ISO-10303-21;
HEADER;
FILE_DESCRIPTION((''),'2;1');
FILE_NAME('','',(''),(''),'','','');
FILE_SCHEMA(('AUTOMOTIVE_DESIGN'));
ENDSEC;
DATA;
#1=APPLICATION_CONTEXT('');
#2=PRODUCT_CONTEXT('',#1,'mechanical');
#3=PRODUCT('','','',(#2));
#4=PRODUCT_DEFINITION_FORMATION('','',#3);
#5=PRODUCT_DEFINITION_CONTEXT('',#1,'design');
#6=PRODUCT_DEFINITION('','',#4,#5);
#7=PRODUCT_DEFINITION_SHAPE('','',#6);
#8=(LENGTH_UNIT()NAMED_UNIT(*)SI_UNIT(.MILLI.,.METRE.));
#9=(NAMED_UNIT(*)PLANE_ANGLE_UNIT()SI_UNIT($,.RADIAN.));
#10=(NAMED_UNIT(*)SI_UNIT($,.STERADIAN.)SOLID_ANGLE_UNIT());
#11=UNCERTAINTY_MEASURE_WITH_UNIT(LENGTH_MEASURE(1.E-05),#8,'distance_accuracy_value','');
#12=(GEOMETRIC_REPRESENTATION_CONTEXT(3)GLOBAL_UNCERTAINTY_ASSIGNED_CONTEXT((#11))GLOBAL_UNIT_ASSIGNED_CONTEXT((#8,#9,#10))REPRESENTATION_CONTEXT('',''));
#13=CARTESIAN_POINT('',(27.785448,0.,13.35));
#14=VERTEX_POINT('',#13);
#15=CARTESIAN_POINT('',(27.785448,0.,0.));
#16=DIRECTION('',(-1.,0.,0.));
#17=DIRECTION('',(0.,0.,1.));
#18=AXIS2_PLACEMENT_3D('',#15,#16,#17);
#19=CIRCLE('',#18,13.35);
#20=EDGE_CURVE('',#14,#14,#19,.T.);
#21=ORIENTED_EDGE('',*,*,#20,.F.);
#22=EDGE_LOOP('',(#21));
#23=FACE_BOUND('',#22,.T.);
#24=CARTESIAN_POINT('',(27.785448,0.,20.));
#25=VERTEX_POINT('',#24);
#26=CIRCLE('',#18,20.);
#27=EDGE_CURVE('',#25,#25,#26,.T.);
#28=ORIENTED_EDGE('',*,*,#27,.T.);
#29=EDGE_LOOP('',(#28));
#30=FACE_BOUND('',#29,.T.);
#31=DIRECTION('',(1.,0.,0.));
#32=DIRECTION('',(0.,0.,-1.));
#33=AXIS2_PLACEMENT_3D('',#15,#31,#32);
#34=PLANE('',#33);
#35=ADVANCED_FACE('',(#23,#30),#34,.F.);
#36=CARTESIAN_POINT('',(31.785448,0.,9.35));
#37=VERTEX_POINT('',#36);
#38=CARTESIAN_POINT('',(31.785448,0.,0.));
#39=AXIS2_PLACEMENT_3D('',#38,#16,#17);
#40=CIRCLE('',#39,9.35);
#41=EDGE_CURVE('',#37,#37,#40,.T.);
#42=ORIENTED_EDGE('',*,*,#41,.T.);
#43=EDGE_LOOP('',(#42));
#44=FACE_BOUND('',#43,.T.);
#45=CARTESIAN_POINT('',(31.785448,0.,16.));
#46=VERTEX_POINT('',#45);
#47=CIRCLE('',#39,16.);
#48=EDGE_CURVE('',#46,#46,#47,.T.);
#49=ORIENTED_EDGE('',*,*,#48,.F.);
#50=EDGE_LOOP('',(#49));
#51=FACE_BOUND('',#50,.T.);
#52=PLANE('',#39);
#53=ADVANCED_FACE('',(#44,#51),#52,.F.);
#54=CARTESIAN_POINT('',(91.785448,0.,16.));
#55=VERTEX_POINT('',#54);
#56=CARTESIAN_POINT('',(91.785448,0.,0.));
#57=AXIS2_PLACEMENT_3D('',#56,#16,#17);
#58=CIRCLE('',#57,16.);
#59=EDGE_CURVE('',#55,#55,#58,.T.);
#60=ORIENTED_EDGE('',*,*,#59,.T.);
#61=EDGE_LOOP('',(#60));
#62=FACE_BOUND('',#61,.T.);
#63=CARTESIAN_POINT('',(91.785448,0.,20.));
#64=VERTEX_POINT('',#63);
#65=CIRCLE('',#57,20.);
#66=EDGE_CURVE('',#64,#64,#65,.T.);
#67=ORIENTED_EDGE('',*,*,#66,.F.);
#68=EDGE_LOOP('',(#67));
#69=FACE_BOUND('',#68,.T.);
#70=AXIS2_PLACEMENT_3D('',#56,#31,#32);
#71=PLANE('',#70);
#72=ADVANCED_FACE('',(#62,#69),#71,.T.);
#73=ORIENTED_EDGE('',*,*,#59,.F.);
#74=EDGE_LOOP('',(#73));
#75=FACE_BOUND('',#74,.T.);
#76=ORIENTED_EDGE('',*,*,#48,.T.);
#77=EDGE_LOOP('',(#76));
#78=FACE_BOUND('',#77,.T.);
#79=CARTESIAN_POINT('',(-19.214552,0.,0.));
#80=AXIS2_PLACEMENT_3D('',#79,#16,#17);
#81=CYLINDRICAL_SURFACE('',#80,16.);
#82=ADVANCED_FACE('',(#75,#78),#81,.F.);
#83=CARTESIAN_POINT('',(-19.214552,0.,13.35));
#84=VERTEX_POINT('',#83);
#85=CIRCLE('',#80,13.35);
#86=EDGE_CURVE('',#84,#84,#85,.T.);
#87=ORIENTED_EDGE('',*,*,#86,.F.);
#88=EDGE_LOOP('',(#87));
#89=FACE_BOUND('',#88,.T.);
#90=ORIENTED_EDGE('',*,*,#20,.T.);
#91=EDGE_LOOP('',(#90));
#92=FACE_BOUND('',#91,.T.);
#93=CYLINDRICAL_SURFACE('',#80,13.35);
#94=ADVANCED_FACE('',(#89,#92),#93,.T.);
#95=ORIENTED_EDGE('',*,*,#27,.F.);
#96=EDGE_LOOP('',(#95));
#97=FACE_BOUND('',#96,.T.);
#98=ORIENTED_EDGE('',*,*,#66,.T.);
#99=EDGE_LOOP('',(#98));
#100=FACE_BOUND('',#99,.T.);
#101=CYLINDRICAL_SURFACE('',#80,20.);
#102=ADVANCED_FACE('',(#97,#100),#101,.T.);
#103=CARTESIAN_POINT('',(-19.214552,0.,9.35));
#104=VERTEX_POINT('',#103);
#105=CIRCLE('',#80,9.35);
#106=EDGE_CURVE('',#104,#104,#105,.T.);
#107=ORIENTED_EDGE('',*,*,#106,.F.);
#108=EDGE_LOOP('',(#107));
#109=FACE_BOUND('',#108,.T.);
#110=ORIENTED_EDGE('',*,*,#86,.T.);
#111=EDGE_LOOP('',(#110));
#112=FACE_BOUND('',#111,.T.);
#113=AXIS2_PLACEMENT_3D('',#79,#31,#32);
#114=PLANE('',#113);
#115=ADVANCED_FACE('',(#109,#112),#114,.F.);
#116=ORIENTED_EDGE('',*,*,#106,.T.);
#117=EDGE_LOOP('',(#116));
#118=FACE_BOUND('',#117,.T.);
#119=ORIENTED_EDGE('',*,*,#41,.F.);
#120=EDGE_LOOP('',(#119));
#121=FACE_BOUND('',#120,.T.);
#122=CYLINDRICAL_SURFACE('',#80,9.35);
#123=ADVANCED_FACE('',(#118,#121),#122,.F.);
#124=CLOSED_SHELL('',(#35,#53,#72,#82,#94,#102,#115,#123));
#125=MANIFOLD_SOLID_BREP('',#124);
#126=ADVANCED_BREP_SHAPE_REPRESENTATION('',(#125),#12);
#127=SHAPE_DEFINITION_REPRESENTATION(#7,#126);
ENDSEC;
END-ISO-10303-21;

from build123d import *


with BuildPart() as part:
    # Szkic1 → Obrót1 (revolve)
    with BuildSketch(Plane.XY, mode=Mode.PRIVATE) as obr_t1_sk:
        Polygon((27.785447504, 13.35), (-19.214552496, 13.35), (-19.214552496, 9.35), (31.785447504, 9.35), (31.785447504, 16), (91.785447504, 16), (91.785447504, 20), (27.785447504, 20), align=None)
    revolve(obr_t1_sk.sketch.rotate(Axis((-19.214552496, 0, 0), (1, 0, 0)), 90), axis=Axis((-19.214552496, 0, 0), (1, 0, 0)))


solid = part.part
